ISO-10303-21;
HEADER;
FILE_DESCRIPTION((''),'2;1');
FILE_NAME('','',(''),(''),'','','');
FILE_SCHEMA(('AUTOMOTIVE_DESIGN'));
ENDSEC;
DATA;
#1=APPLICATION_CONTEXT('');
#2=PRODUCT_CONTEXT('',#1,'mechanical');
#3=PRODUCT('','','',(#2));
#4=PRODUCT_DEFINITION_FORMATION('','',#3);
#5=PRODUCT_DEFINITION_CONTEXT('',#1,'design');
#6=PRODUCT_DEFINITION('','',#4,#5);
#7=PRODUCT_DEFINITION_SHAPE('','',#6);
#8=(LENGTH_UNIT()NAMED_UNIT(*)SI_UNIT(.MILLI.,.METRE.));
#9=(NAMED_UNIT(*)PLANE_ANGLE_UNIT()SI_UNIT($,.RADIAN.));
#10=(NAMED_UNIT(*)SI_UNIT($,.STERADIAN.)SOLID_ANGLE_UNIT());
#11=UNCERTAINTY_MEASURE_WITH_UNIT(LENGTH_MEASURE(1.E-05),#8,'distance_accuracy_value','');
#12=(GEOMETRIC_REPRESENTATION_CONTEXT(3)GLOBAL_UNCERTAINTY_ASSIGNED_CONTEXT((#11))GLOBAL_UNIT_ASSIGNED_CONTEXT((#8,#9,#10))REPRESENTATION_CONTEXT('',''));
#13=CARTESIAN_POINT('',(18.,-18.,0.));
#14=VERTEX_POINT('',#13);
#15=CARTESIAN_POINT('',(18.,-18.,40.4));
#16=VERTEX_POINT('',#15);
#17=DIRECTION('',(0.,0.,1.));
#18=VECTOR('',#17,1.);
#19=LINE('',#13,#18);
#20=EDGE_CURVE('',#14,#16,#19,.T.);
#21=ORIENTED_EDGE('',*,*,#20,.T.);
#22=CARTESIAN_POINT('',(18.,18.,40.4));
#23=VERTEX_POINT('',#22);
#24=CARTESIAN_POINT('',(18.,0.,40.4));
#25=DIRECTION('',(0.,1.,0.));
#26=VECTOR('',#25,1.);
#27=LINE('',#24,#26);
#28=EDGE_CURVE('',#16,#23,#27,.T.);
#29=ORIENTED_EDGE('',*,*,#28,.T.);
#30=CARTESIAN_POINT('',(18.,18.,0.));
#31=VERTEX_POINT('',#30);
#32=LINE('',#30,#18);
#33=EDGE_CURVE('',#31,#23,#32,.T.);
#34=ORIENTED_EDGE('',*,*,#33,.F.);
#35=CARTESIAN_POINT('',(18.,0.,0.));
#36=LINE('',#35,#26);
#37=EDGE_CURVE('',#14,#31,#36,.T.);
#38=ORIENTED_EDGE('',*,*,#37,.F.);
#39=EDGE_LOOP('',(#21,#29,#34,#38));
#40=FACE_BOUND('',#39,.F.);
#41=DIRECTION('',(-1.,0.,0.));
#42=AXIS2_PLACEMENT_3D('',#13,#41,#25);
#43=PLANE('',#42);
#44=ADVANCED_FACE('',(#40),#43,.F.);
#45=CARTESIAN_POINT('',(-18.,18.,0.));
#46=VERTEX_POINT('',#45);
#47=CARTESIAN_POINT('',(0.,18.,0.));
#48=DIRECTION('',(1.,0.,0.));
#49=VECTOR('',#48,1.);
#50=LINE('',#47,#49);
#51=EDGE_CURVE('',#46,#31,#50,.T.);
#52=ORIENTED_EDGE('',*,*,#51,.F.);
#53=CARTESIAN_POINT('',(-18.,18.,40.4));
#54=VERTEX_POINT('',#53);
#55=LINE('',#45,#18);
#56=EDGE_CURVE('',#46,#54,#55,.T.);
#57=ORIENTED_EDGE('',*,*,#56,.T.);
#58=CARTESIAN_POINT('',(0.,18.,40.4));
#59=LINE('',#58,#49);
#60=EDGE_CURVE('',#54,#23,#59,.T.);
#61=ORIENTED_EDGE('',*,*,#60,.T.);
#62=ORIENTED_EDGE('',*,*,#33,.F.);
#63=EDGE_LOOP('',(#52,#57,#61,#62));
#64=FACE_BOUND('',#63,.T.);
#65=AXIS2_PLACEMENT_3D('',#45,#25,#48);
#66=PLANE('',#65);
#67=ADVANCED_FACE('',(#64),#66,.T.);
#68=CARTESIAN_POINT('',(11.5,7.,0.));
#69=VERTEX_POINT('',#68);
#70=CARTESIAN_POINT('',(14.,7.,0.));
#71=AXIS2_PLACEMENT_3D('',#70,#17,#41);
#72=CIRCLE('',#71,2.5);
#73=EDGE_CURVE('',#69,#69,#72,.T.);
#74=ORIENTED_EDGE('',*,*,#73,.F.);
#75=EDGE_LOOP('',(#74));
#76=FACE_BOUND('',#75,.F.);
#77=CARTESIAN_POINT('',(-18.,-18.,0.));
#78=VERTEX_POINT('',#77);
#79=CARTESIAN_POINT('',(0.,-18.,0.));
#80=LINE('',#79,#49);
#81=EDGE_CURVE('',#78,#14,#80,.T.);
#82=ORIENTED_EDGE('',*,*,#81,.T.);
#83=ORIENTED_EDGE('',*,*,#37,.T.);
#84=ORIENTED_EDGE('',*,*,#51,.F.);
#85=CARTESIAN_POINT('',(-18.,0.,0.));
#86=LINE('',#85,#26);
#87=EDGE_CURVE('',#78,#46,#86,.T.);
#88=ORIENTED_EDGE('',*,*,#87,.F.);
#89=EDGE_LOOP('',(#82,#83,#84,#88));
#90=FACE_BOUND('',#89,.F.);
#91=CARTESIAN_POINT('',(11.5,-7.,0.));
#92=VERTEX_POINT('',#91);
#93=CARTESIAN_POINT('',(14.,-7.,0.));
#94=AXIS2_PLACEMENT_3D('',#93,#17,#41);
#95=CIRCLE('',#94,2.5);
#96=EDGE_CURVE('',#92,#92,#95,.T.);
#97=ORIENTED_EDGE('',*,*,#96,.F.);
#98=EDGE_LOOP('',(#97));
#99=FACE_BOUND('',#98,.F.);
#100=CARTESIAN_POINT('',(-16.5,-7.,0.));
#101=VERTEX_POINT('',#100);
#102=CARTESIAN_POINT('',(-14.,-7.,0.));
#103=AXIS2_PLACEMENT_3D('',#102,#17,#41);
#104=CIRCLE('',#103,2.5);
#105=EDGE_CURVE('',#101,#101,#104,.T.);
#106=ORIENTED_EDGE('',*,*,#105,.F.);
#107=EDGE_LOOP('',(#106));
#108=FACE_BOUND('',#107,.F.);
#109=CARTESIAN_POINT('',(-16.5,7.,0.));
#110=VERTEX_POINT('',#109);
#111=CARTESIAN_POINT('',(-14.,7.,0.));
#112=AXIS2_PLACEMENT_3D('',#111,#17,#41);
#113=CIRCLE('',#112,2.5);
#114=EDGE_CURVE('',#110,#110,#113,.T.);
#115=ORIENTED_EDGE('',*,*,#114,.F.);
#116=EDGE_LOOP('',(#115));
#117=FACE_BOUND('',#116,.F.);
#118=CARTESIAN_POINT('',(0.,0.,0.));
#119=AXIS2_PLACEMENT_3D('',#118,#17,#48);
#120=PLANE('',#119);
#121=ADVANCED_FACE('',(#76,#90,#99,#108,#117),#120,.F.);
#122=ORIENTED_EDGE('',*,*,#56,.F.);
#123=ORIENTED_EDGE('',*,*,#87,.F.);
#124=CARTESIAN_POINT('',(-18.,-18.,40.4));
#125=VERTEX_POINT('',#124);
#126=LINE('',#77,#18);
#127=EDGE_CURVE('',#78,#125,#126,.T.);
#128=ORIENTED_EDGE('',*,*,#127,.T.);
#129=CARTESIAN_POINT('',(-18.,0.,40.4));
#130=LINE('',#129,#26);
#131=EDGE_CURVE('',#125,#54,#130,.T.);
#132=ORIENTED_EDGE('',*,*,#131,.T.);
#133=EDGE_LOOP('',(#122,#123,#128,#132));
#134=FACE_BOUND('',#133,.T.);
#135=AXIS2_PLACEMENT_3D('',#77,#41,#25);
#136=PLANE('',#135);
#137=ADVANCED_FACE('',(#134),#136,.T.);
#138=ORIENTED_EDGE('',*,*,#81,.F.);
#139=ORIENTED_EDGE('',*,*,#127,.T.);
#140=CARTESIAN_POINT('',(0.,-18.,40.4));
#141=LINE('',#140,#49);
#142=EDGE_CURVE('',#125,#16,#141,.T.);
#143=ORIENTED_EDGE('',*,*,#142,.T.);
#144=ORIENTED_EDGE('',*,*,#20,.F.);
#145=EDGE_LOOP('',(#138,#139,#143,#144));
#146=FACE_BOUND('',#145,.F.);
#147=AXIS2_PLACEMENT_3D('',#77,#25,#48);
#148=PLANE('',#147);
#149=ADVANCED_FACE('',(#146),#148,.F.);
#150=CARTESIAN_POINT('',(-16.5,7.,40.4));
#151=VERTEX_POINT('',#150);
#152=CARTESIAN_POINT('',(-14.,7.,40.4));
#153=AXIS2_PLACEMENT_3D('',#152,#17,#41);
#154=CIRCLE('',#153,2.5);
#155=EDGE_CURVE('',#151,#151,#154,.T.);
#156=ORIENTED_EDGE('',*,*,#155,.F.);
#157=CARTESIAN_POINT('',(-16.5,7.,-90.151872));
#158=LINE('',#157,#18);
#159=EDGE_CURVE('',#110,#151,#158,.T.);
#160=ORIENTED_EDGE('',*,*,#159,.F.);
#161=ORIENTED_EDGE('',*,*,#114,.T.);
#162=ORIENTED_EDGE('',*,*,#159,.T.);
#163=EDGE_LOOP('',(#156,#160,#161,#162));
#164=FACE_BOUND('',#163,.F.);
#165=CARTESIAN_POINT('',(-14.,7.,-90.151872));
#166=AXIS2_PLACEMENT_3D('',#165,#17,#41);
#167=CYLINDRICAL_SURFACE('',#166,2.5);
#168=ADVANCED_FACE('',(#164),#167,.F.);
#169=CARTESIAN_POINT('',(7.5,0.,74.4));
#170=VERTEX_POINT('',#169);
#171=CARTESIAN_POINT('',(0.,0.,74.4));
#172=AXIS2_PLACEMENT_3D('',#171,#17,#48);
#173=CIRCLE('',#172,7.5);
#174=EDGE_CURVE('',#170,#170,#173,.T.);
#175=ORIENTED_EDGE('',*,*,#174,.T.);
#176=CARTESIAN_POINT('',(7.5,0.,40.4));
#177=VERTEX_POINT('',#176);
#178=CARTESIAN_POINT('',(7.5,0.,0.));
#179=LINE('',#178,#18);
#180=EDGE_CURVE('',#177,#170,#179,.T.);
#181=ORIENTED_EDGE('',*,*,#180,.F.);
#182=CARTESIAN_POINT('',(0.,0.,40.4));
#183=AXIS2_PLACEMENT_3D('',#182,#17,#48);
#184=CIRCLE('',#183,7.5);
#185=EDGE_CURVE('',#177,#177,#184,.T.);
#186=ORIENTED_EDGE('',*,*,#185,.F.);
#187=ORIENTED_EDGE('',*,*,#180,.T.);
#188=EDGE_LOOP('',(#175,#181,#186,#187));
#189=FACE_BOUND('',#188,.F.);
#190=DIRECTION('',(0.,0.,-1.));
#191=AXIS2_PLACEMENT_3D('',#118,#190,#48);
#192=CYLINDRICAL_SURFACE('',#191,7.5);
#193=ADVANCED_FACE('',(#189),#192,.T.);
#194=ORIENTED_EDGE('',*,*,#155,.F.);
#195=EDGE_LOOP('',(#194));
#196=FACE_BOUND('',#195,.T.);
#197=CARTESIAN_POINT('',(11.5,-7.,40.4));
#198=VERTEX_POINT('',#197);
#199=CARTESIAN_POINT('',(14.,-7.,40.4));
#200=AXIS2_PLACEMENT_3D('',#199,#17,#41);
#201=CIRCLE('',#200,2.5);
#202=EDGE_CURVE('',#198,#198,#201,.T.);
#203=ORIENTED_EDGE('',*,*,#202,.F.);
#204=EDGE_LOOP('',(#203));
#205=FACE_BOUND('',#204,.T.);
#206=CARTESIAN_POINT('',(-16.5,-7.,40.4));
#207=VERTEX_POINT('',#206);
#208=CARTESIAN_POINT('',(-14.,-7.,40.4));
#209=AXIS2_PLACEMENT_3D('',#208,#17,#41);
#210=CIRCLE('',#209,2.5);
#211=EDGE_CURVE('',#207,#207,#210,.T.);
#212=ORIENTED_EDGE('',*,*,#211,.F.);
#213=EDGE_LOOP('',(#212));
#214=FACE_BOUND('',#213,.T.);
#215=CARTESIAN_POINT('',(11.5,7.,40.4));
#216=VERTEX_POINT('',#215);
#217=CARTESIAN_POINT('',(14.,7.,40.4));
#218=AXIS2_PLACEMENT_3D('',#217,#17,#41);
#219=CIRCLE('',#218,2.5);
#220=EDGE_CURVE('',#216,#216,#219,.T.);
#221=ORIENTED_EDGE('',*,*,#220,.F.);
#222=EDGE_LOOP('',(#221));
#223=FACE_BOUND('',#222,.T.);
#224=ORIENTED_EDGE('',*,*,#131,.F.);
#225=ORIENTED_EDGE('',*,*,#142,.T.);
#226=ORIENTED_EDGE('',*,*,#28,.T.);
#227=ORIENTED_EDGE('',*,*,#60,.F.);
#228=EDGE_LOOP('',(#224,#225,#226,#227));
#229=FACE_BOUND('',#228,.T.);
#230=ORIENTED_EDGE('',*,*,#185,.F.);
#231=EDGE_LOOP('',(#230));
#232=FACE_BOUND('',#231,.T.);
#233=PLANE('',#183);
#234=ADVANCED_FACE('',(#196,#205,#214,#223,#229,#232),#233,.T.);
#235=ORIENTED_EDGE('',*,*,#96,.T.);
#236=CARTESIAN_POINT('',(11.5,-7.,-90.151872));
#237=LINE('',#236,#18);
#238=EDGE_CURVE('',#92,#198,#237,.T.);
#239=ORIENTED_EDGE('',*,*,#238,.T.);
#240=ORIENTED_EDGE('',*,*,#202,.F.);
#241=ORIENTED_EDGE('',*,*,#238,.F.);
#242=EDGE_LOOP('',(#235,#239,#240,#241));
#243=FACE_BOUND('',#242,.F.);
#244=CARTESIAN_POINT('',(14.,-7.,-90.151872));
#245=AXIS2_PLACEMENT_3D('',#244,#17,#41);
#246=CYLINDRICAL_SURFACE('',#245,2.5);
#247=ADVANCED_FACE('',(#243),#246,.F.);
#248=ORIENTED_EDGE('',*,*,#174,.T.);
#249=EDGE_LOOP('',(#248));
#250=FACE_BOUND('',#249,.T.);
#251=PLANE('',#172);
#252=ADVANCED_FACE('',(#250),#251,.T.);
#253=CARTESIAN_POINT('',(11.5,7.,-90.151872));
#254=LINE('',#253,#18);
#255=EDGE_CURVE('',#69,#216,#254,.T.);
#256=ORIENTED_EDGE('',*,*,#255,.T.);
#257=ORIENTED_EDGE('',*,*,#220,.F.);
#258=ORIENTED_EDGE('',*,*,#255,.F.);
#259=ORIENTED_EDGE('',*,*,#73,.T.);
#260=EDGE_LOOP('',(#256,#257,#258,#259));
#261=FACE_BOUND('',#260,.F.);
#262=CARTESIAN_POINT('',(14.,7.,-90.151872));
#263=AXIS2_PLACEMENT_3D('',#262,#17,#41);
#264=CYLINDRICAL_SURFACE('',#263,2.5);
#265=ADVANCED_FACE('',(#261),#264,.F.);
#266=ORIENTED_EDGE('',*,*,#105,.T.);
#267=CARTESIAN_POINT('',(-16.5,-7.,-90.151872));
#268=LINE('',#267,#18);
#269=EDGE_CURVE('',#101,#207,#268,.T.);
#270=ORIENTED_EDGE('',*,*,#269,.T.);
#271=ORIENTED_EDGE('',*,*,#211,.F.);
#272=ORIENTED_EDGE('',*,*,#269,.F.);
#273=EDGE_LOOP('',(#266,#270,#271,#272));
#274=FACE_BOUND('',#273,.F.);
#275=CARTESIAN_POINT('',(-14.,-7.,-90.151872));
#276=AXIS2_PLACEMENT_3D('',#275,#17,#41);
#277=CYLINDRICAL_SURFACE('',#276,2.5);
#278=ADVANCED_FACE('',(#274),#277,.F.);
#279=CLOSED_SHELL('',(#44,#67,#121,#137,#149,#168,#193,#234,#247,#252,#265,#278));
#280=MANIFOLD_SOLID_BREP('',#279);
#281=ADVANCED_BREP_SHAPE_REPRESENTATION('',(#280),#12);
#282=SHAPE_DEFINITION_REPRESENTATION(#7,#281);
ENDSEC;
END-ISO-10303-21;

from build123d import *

# Parameters (mm, degrees)
F0_R     = 7.5
F1_DEPTH = 74.4
F0_W     = 36
F0_H     = 36
F2_DEPTH = 40.4
F4_D     = 5


with BuildPart() as f1:
    # F0 (on Top) → F1 (new body)
    with BuildSketch(Plane.XY):
        Circle(F0_R)
    extrude(amount=F1_DEPTH)

    # F0 (on Top) → F2 (join)
    with BuildSketch(Plane.XY):
        Rectangle(F0_W, F0_H)
        Circle(F0_R, mode=Mode.SUBTRACT)
    extrude(amount=F2_DEPTH)

    # F4 (through all)
    with Locations(Plane(origin=(0, 0, 0), x_dir=(1, 0, 0), z_dir=(0, 0, -1))):
        with Locations((-14, 7), (14, 7), (14, -7), (-14, -7)):
            Hole(F4_D / 2)


solid = f1.part
